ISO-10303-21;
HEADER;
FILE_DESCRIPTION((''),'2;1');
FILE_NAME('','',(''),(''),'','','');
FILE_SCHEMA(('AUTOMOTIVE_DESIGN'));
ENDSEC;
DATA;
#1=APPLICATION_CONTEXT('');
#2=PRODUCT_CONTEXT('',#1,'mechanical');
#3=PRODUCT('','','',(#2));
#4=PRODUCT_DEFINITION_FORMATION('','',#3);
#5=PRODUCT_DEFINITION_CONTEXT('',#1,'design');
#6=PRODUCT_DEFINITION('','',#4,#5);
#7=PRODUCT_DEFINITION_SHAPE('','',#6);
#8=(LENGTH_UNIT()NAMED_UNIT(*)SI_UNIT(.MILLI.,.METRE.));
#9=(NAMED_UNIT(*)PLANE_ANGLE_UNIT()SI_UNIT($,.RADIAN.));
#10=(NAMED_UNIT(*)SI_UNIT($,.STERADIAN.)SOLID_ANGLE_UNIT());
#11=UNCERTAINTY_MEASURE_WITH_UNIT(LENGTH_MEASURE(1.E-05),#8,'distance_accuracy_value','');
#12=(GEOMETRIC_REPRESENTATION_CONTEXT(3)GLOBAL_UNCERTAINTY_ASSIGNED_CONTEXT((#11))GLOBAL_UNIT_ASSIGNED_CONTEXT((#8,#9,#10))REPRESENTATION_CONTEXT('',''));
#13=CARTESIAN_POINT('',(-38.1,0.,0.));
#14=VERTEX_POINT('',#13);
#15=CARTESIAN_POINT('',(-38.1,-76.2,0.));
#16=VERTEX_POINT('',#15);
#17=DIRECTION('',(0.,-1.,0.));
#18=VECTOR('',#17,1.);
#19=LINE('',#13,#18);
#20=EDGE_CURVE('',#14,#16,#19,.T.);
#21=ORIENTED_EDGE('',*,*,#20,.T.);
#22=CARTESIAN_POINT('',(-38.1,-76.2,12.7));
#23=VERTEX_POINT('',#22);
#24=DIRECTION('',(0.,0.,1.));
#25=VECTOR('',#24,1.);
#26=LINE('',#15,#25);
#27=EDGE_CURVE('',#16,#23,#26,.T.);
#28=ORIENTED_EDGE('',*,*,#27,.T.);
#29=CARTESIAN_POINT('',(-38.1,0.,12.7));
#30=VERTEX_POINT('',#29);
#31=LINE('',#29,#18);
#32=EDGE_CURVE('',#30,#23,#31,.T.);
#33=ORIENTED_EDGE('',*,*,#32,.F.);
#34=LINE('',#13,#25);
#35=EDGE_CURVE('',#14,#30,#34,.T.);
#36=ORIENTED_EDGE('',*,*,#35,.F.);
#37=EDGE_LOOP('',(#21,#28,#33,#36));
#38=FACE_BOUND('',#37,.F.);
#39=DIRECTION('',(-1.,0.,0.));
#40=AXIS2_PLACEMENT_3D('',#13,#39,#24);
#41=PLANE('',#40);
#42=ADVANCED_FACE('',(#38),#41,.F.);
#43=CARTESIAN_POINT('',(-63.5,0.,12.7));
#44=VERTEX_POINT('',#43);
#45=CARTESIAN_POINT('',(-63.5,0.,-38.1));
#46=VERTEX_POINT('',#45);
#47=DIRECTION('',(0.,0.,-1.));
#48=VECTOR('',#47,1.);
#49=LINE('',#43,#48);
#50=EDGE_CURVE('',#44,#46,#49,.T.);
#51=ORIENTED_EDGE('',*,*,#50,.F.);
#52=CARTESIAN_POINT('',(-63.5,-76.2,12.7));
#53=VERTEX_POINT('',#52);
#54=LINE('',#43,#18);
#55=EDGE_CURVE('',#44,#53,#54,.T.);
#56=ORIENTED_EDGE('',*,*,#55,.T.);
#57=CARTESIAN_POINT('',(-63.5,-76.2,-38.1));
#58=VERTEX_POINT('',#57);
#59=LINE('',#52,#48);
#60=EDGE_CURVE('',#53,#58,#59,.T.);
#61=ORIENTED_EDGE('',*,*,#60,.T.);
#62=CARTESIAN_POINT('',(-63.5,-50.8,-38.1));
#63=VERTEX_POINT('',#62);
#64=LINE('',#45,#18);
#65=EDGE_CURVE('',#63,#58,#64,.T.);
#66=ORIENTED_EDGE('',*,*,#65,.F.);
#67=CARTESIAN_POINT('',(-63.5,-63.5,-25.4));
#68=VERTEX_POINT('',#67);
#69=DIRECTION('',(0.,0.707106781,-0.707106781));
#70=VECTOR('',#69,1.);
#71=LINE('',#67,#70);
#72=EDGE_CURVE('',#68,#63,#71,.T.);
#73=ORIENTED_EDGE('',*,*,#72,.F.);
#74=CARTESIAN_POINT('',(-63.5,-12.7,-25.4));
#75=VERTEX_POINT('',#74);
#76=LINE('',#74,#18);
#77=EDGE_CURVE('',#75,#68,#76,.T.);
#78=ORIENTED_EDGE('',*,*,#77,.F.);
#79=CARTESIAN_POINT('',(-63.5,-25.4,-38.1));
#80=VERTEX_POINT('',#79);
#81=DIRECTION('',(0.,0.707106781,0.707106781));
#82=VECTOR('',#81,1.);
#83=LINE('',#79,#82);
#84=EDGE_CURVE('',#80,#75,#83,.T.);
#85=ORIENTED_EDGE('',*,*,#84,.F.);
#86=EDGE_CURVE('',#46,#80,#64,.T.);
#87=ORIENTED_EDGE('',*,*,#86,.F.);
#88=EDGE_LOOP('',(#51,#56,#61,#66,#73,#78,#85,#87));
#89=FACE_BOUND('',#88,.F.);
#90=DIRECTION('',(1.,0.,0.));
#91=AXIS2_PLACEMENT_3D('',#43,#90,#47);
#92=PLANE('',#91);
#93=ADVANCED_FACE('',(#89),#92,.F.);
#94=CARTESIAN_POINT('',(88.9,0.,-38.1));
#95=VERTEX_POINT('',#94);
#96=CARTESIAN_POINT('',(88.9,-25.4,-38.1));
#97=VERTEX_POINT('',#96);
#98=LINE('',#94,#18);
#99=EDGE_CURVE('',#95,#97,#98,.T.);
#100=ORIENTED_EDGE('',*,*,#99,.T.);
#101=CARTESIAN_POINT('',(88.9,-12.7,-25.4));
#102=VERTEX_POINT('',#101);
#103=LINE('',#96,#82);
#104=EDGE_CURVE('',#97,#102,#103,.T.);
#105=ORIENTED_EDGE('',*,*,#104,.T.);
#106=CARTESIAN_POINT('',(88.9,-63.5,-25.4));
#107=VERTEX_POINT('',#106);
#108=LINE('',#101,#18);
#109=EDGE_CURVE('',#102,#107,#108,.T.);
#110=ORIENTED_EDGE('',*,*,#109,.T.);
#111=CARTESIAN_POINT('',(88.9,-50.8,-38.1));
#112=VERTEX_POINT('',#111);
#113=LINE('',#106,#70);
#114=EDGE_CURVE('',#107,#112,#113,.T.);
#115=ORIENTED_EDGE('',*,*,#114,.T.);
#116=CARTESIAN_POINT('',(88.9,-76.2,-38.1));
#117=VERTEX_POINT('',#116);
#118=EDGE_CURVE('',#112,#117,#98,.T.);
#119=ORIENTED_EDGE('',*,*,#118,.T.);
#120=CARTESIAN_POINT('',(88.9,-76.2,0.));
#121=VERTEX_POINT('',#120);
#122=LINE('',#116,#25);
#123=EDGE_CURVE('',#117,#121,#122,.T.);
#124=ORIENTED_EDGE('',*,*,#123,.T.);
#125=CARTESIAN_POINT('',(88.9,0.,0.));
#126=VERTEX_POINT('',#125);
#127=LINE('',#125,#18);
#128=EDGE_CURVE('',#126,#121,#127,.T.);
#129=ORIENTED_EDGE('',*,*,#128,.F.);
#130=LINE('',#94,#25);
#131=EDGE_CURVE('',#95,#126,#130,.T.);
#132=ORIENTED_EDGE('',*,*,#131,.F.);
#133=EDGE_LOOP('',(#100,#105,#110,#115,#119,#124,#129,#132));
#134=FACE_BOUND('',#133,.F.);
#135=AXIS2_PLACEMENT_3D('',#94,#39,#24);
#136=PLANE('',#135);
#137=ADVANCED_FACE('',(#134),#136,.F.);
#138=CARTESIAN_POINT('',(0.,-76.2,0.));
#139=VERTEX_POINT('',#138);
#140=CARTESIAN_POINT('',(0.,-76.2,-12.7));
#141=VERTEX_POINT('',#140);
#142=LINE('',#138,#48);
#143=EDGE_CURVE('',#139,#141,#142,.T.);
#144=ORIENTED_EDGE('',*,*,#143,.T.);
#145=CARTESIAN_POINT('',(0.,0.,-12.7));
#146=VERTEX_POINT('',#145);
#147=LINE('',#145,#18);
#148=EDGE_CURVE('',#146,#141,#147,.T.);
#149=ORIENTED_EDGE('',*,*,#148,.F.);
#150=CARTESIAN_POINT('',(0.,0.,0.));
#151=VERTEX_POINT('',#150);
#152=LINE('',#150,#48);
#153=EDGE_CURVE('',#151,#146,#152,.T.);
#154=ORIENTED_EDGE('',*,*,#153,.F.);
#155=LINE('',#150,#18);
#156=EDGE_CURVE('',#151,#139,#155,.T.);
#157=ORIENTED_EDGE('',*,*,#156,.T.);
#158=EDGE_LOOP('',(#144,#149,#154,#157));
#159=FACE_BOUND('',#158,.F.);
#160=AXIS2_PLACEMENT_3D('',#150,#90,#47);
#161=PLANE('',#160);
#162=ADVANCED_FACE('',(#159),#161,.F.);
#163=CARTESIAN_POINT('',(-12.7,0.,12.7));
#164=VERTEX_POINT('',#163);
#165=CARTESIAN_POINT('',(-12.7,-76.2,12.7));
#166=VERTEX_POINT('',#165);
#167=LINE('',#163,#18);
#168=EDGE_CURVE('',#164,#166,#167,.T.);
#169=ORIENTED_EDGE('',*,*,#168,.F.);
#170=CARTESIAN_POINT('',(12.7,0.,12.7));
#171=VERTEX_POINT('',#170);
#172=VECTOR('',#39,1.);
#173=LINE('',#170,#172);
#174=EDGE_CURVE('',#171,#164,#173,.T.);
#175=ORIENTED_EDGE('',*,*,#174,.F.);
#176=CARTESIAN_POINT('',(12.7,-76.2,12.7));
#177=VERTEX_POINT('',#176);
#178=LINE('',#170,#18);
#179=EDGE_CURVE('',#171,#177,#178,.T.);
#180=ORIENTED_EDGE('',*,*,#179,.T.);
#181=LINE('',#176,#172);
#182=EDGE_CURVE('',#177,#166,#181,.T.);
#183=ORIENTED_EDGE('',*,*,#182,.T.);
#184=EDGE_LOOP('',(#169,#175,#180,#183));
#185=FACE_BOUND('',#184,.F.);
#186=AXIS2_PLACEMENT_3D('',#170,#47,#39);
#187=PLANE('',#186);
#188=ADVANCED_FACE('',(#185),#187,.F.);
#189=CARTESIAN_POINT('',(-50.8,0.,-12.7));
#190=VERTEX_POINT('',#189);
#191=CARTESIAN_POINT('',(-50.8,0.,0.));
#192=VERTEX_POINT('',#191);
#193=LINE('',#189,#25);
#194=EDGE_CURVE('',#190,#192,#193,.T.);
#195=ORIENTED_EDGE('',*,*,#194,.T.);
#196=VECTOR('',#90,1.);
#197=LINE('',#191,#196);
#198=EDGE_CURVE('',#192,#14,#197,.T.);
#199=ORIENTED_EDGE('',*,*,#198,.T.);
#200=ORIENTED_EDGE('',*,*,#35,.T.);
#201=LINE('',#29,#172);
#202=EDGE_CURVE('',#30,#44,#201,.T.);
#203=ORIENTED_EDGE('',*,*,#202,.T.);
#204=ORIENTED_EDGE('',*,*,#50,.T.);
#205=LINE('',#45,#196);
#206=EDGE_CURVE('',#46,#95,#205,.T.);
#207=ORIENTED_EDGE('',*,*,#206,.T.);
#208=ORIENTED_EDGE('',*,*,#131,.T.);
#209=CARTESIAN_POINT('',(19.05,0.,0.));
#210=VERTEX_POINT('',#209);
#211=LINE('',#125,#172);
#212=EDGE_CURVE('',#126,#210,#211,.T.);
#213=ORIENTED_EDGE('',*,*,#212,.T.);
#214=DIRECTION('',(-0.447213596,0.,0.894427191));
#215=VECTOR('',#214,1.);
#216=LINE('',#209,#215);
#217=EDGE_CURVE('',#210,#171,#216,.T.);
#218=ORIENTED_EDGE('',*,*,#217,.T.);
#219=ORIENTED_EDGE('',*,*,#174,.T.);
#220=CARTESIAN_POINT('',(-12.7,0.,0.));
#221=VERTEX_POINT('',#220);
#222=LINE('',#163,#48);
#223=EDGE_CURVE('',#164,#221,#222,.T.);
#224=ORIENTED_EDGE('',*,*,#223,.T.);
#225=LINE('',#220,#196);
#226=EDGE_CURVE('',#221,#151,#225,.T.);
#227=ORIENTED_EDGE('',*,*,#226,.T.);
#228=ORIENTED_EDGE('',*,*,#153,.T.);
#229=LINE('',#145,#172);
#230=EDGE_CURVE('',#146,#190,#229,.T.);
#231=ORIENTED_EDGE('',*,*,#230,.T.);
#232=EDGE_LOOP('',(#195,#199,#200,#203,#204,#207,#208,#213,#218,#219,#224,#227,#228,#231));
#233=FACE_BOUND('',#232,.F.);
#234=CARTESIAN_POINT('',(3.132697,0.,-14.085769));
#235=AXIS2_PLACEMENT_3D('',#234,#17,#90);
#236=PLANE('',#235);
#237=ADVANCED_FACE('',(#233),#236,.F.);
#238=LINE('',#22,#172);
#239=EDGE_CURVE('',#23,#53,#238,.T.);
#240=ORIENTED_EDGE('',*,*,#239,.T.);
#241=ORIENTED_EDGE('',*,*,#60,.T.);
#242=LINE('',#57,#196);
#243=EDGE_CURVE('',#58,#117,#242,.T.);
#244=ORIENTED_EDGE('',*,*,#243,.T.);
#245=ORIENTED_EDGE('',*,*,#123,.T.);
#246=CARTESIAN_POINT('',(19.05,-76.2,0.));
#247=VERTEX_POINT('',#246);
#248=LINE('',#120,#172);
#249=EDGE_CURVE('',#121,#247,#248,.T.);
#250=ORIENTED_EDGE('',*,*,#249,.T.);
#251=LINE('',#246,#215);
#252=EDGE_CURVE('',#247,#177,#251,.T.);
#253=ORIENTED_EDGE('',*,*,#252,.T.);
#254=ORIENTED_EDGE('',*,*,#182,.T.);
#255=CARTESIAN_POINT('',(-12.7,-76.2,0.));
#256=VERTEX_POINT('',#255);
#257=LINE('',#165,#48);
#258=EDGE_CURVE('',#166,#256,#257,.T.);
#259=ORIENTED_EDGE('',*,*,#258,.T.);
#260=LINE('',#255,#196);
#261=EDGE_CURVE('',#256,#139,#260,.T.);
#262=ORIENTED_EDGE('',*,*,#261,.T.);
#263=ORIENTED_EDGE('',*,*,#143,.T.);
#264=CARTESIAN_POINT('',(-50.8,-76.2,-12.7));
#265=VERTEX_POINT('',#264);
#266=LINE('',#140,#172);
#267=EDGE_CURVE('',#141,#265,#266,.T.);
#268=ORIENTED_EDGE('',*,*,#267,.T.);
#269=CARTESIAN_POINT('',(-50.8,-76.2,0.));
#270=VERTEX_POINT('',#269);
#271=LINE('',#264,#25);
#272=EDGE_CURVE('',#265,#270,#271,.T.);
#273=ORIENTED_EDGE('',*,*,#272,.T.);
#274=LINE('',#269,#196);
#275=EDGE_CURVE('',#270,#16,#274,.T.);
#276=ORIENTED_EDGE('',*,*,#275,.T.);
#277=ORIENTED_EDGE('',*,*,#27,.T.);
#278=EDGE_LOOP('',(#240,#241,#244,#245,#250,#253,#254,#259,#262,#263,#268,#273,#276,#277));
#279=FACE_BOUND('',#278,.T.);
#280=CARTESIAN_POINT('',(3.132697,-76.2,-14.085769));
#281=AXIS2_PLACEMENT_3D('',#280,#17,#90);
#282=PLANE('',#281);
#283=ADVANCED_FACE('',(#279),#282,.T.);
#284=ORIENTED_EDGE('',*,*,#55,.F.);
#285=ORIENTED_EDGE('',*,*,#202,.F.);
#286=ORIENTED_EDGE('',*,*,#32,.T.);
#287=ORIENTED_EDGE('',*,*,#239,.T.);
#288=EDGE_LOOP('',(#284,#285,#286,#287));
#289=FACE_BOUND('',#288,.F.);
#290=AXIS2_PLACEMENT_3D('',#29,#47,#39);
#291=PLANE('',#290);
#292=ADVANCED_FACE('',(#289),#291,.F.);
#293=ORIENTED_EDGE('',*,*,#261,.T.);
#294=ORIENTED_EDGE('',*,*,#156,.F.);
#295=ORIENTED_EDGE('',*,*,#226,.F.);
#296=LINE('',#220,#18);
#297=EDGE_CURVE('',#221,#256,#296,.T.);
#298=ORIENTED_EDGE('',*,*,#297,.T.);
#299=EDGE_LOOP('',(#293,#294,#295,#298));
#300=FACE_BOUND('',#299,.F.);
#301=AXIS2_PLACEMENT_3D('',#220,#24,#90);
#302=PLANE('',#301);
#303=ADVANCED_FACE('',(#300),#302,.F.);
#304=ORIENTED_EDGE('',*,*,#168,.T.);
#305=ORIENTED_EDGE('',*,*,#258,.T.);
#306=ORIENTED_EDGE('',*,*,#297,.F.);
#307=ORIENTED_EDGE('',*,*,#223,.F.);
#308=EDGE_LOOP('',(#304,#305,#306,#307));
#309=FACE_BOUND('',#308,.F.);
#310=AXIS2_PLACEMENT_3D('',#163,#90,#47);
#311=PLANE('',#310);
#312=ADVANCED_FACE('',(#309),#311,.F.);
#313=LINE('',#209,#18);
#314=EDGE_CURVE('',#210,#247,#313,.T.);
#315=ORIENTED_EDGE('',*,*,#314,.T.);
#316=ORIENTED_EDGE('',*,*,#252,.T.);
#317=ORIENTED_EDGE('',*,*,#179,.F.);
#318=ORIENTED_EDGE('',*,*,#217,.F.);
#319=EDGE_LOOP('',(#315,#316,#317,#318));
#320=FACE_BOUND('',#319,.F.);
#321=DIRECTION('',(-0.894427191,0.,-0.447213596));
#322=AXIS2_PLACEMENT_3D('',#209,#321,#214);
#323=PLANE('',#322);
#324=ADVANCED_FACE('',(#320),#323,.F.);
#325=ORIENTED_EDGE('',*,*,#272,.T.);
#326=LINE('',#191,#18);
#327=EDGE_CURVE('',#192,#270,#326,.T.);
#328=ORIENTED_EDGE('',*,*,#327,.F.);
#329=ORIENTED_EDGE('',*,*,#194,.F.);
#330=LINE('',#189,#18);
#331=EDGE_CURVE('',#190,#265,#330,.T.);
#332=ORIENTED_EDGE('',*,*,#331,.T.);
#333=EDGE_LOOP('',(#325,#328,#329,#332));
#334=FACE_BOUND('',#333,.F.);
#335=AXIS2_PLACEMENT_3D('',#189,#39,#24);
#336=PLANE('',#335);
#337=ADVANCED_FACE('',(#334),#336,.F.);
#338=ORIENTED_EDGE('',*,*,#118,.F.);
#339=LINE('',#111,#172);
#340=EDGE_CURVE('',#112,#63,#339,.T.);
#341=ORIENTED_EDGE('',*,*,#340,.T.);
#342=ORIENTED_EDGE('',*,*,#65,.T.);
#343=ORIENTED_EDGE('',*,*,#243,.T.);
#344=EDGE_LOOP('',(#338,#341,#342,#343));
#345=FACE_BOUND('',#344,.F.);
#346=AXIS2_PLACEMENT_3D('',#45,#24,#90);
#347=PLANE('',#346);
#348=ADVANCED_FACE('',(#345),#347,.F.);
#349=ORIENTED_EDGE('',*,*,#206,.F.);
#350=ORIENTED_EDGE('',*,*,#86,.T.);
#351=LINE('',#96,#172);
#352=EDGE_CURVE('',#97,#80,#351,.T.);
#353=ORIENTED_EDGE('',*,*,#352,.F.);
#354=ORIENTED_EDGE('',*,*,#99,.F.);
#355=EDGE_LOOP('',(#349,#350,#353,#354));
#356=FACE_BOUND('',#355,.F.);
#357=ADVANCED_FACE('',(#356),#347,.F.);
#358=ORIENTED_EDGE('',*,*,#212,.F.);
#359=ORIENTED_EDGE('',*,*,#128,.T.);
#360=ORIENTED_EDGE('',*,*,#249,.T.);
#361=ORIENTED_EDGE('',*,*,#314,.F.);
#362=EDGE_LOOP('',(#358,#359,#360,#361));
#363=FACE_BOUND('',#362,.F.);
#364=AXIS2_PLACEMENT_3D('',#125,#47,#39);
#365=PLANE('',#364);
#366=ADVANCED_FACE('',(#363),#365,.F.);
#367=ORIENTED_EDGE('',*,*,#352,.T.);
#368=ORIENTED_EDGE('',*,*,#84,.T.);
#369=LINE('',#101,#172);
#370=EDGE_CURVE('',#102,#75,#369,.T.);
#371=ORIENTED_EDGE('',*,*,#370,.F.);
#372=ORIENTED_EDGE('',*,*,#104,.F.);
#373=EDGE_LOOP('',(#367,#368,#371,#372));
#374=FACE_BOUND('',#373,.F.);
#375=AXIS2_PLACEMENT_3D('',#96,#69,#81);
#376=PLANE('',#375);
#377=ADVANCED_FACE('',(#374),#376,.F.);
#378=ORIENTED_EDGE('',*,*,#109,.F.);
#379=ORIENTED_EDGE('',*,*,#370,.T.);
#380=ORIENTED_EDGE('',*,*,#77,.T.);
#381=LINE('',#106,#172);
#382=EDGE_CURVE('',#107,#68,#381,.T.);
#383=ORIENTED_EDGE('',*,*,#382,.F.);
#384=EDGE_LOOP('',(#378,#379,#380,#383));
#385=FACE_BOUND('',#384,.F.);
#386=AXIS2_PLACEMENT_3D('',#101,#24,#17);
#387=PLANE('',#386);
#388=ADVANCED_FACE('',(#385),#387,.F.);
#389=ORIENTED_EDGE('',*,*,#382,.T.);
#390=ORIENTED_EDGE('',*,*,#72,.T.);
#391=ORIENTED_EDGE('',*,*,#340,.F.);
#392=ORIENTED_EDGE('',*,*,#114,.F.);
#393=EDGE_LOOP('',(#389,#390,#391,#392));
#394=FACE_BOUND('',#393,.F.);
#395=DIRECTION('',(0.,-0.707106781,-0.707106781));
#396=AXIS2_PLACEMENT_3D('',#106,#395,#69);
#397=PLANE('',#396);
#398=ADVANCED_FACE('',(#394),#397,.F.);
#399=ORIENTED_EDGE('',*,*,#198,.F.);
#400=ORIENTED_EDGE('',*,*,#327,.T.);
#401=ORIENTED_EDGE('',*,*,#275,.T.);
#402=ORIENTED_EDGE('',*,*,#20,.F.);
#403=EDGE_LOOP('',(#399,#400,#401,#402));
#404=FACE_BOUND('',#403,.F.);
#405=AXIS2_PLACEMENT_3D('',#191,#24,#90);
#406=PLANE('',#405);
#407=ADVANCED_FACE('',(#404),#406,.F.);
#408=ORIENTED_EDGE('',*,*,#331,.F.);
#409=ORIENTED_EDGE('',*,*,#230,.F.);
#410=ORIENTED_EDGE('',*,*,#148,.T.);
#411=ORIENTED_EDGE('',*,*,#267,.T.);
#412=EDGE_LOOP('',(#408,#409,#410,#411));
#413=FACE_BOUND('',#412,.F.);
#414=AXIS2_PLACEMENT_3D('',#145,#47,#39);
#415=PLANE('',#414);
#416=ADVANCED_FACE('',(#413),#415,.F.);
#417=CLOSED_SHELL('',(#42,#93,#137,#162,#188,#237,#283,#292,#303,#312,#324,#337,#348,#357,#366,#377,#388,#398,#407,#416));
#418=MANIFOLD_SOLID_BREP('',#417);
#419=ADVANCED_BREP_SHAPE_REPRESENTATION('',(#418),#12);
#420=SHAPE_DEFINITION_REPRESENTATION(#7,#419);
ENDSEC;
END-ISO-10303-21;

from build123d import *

# Parameters (mm, degrees)
F1_DEPTH = 76.2
F3_DEPTH = 152.4


with BuildPart() as f1:
    # F0 (on Front) → F1 (new body)
    with BuildSketch(Plane.XZ):
        Polygon((-38.1, 12.7), (-63.5, 12.7), (-63.5, -38.1), (88.9, -38.1), (88.9, 0), (19.05, 0), (12.7, 12.7), (-12.7, 12.7), (-12.7, 0), (0, 0), (0, -12.7), (-50.8, -12.7), (-50.8, 0), (-38.1, 0), align=None)
    extrude(amount=F1_DEPTH)

    # F2 (on face) → F3 (cut)
    with BuildSketch(Plane.YZ.offset(88.9)):
        Polygon((-63.5, -25.4), (-50.8, -38.1), (-25.4, -38.1), (-12.7, -25.4), align=None)
    extrude(amount=-F3_DEPTH, mode=Mode.SUBTRACT)


solid = f1.part
